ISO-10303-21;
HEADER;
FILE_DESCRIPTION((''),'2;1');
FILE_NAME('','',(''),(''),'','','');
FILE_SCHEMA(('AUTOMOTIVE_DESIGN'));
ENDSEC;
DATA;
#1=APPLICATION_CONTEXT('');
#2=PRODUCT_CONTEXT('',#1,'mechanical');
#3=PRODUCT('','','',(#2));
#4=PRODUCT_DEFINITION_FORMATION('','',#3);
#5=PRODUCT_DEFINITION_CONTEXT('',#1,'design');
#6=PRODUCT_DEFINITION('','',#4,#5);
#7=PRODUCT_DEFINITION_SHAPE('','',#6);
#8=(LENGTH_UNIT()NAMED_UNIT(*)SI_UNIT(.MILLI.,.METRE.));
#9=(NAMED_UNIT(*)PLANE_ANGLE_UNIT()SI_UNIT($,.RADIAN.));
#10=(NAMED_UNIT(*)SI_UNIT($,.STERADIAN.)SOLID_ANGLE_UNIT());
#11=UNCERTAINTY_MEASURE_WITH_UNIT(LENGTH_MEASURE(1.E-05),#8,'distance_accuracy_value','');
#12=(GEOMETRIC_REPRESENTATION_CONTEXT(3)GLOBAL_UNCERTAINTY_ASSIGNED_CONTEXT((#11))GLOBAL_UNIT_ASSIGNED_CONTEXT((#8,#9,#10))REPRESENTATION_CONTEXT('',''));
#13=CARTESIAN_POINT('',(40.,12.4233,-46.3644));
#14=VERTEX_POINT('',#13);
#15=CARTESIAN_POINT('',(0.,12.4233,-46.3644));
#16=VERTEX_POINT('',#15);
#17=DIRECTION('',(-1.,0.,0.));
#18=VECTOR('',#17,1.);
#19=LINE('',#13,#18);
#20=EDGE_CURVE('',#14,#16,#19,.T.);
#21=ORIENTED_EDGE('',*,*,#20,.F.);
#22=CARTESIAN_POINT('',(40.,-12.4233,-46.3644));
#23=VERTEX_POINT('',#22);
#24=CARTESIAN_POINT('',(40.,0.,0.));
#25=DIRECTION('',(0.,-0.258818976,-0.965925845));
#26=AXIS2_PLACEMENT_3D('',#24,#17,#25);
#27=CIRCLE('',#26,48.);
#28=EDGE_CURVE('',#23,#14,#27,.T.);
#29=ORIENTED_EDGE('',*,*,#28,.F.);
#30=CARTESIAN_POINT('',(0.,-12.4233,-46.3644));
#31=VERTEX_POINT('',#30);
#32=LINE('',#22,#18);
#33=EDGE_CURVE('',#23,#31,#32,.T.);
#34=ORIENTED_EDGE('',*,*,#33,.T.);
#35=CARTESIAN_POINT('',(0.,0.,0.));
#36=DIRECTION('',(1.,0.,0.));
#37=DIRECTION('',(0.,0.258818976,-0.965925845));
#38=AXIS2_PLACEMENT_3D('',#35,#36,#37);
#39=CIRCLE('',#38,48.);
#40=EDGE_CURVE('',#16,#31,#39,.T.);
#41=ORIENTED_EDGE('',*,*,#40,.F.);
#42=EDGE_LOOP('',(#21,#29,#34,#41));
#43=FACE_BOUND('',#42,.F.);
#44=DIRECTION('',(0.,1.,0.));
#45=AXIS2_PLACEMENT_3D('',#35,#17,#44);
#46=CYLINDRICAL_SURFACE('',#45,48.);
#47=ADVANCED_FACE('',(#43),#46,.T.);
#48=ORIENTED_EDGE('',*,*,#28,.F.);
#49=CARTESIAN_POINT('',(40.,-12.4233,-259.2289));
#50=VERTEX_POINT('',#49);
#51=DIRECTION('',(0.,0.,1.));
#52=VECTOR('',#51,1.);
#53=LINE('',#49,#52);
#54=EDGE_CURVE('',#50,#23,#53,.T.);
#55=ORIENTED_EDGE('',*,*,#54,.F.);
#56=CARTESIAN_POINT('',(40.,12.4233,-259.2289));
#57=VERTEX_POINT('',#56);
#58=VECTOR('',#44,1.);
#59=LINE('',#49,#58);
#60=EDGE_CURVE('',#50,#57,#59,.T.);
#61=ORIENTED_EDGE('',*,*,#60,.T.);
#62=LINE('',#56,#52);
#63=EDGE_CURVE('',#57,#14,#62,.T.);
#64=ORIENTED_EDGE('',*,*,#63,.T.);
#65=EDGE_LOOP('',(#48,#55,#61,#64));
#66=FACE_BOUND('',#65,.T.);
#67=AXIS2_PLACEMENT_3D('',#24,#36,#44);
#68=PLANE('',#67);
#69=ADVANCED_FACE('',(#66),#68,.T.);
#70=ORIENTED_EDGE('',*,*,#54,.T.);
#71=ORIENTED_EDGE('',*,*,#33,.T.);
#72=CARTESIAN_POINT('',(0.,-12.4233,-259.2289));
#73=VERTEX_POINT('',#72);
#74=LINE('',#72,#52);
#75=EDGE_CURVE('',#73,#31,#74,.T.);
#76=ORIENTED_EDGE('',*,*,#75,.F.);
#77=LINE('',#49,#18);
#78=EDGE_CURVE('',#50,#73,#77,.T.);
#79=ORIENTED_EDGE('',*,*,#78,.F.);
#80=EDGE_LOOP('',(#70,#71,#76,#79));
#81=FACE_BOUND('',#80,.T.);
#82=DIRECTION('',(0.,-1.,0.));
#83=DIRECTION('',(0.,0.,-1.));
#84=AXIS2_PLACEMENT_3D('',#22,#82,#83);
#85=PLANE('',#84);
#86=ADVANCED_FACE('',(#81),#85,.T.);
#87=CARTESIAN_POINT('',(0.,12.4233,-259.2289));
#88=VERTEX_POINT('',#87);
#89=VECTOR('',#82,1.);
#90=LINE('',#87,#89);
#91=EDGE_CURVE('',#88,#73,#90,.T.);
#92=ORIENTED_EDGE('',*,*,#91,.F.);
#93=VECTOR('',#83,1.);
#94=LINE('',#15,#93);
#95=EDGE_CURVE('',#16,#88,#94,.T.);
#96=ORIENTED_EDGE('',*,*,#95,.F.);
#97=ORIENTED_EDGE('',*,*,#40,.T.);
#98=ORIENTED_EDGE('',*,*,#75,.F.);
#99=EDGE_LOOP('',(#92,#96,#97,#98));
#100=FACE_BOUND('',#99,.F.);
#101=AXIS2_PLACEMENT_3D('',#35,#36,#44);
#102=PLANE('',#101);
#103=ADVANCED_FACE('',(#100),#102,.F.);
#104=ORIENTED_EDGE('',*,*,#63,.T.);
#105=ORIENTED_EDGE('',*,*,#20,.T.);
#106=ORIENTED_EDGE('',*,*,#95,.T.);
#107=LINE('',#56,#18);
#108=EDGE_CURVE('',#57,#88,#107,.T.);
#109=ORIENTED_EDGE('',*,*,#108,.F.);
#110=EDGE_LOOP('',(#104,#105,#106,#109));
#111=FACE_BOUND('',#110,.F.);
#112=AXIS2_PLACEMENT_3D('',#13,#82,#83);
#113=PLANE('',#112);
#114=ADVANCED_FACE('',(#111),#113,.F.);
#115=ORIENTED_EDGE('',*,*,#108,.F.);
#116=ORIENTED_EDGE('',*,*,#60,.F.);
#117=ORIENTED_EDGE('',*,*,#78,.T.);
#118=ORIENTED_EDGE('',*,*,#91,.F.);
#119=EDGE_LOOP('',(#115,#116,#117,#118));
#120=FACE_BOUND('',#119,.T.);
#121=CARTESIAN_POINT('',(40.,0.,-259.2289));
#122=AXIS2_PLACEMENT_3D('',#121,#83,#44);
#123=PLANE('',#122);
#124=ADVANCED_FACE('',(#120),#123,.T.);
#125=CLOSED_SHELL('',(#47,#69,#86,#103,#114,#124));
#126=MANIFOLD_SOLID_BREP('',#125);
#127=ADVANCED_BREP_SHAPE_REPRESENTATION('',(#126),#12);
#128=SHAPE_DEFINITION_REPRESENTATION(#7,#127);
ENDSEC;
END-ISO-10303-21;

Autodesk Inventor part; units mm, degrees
ref_plane "YZ Plane" through (0, 0, 0) normal (1, 0, 0) x (0, 1, 0)
ref_plane "XZ Plane" through (0, 0, 0) normal (0, 1, 0) x (-1, 0, 0)
ref_plane "XY Plane" through (0, 0, 0) normal (0, 0, 1) x (1, 0, 0)
sketch "Boceto1" plane through (0, 0, 0) normal (0, 0, 1) x (1, 0, 0)
  point P0 (0, 0)
sketch "Boceto2" plane through (0, 0, 0) normal (1, 0, 0) x (0, 1, 0)
  circle A0 centre (0, 0) radius 48
  dimension "d0" = 96
extrude "Extrusión1" add sketch "Boceto2" along normal blind 40
sketch "Boceto3" plane through (40, 0, 0) normal (1, 0, 0) x (0, 0, -1)
  circle A0 centre (0, 0) radius 48 projected
  arc A1 (48, 0) -> (46.3644, 12.4233) centre (0, 0) ccw
  arc A2 (46.3644, -12.4233) -> (48, 0) centre (0, 0) ccw
  line L0 (46.3644, -12.4233) -> (212.8644, -12.4233)
  line L1 (46.3644, 12.4233) -> (212.8644, 12.4233)
  line L2 (211.2289, 0) -> (259.2289, 0)
  line L3 (259.2289, 0) -> (259.2289, 12.4233)
  line L4 (259.2289, 0) -> (259.2289, -12.4233)
  line L5 (259.2289, -12.4233) -> (212.8644, -12.4233)
  line L6 (259.2289, 12.4233) -> (212.8644, 12.4233)
extrude "Extrusión2" add sketch "Boceto3" against normal blind 40 contours A0 L1 L6 L3 L4 L5 L0
